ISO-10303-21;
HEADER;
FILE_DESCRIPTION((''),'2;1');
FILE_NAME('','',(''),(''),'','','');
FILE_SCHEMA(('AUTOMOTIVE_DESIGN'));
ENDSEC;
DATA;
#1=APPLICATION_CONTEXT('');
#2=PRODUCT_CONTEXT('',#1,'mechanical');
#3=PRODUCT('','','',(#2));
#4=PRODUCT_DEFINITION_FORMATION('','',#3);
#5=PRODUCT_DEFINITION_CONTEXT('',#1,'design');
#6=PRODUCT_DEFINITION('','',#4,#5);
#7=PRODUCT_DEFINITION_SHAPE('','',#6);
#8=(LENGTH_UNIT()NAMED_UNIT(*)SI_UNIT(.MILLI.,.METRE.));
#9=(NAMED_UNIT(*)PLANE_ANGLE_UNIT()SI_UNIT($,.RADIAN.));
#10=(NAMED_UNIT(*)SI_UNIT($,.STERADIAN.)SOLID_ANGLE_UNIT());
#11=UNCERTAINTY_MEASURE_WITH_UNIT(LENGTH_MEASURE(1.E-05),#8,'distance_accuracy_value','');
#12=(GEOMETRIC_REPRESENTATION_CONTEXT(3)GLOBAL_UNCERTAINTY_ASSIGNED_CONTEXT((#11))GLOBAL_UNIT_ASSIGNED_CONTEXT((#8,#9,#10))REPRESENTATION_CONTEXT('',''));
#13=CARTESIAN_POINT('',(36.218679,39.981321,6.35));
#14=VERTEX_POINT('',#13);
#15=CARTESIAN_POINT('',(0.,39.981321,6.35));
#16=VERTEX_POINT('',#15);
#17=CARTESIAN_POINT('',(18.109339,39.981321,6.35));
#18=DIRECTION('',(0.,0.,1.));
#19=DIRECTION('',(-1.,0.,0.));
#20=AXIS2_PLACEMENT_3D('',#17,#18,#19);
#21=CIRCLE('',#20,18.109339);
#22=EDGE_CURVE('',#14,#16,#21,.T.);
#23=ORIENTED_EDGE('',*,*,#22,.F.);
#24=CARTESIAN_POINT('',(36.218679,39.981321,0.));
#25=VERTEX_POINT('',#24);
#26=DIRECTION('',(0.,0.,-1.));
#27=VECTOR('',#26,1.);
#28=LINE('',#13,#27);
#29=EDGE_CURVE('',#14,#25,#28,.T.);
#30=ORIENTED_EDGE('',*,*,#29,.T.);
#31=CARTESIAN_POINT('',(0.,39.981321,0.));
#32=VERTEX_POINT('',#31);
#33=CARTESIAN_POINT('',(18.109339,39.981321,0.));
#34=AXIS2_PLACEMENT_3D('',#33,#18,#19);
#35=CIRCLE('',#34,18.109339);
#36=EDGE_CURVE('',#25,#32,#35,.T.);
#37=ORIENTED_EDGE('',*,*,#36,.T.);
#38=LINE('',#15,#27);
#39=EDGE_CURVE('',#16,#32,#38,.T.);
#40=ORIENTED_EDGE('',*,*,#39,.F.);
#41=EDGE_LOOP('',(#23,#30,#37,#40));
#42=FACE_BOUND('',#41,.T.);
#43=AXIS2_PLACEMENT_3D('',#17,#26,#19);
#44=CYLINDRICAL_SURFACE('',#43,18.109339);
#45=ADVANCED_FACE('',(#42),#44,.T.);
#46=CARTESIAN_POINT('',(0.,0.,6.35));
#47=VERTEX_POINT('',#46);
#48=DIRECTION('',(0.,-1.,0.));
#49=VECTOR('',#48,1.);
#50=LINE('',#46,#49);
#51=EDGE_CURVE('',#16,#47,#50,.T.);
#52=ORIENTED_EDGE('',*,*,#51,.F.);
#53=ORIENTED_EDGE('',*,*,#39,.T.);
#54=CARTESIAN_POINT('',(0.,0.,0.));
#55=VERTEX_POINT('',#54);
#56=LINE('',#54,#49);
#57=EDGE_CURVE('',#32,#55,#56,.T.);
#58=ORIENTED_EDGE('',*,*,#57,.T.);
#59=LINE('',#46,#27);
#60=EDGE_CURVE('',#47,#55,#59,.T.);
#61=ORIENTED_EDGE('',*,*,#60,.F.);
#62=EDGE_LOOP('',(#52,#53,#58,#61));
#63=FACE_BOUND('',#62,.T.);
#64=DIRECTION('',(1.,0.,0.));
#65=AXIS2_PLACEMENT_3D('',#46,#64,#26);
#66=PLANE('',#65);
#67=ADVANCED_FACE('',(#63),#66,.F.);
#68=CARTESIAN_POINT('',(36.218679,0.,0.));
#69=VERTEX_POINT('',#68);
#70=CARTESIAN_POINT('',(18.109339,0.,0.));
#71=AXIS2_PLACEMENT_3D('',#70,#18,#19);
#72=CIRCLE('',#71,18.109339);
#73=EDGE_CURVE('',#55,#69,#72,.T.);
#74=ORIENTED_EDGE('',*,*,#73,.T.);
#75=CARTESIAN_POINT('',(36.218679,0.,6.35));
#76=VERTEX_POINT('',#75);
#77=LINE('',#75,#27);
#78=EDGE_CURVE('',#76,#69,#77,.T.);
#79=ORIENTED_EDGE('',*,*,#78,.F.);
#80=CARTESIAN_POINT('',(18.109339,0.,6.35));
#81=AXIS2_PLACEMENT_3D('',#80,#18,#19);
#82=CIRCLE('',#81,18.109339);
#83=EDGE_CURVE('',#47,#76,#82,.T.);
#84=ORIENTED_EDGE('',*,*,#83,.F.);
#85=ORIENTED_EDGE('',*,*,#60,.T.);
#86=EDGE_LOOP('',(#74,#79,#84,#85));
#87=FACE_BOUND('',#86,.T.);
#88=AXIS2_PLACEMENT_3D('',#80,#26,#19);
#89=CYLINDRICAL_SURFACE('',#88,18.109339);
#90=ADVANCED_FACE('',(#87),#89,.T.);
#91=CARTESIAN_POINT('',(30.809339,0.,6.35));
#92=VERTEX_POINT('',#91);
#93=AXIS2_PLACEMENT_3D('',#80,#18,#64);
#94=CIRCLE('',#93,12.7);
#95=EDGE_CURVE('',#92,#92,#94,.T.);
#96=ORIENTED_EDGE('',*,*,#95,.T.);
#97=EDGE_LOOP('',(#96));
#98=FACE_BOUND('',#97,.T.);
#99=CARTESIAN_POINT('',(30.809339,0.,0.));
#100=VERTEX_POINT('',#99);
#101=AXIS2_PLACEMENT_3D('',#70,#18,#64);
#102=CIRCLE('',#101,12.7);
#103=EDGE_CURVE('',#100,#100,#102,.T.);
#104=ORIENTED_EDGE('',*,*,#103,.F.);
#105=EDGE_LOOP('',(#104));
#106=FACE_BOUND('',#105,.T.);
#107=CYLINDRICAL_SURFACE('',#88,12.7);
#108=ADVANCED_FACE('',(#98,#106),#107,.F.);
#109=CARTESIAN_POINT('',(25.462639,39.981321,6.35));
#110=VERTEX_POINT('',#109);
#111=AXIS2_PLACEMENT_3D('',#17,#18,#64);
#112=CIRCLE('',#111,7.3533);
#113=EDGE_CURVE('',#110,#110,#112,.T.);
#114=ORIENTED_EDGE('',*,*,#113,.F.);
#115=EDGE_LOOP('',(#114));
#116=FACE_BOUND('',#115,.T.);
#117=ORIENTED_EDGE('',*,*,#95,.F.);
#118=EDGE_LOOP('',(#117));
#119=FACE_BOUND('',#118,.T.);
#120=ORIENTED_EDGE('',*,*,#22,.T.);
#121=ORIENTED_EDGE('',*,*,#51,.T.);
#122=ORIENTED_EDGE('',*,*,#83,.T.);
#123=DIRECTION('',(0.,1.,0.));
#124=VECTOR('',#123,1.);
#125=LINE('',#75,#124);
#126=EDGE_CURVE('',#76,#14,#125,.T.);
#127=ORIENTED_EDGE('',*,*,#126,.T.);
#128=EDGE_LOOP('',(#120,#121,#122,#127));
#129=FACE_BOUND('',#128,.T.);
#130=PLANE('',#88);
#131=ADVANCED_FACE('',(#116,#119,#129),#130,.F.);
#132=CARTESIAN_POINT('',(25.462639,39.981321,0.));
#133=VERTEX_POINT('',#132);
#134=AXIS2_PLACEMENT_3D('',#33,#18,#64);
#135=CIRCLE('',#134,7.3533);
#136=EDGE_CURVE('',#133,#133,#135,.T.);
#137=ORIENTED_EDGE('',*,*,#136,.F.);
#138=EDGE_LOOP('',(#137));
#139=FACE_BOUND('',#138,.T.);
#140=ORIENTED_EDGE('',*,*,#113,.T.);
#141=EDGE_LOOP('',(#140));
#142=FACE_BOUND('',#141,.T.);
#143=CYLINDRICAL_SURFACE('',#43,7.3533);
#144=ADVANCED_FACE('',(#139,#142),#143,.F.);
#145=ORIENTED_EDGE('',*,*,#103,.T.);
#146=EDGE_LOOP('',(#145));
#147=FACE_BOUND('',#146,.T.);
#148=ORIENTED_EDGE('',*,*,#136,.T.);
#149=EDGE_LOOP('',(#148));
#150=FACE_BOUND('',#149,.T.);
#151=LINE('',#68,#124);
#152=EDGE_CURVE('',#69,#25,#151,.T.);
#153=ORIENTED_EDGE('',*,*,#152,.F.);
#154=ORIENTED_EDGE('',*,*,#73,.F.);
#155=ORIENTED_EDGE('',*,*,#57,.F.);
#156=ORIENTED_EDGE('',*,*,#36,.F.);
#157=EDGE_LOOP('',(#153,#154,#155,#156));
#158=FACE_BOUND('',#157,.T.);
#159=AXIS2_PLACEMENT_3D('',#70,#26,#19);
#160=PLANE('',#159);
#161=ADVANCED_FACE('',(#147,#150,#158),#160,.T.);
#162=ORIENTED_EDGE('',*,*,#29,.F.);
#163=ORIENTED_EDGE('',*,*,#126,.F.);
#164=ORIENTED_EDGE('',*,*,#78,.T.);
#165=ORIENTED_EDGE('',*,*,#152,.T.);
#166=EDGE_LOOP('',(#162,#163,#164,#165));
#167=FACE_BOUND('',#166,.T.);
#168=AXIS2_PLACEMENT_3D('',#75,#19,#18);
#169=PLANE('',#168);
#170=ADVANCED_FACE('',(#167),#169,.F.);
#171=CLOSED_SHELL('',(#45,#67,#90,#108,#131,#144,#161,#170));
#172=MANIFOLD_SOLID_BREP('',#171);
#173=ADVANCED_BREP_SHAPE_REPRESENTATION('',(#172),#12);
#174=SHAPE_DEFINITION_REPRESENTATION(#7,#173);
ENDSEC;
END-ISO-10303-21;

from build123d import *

# Parameters (mm, degrees)
SKETCH2_R           = 7.3533
SKETCH2_R_2         = 12.7
BOSS_EXTRUDE1_DEPTH = 6.35


with BuildPart() as part:
    # Sketch2 → Boss-Extrude1 (new body)
    with BuildSketch(Plane.XY):
        with BuildLine():
            Line((0, 0), (0, 39.981321055))
            ThreePointArc((0, 39.981321055), (18.109339472, 58.090660528), (36.218678945, 39.981321055))
            Line((36.218678945, 39.981321055), (36.218678945, 0))
            ThreePointArc((36.218678945, 0), (18.109339472, -18.109339472), (0, 0))
        make_face()
        with Locations((18.109339472, 39.981321055)):
            Circle(SKETCH2_R, mode=Mode.SUBTRACT)
        with Locations((18.109339472, 0)):
            Circle(SKETCH2_R_2, mode=Mode.SUBTRACT)
    extrude(amount=BOSS_EXTRUDE1_DEPTH)


solid = part.part
